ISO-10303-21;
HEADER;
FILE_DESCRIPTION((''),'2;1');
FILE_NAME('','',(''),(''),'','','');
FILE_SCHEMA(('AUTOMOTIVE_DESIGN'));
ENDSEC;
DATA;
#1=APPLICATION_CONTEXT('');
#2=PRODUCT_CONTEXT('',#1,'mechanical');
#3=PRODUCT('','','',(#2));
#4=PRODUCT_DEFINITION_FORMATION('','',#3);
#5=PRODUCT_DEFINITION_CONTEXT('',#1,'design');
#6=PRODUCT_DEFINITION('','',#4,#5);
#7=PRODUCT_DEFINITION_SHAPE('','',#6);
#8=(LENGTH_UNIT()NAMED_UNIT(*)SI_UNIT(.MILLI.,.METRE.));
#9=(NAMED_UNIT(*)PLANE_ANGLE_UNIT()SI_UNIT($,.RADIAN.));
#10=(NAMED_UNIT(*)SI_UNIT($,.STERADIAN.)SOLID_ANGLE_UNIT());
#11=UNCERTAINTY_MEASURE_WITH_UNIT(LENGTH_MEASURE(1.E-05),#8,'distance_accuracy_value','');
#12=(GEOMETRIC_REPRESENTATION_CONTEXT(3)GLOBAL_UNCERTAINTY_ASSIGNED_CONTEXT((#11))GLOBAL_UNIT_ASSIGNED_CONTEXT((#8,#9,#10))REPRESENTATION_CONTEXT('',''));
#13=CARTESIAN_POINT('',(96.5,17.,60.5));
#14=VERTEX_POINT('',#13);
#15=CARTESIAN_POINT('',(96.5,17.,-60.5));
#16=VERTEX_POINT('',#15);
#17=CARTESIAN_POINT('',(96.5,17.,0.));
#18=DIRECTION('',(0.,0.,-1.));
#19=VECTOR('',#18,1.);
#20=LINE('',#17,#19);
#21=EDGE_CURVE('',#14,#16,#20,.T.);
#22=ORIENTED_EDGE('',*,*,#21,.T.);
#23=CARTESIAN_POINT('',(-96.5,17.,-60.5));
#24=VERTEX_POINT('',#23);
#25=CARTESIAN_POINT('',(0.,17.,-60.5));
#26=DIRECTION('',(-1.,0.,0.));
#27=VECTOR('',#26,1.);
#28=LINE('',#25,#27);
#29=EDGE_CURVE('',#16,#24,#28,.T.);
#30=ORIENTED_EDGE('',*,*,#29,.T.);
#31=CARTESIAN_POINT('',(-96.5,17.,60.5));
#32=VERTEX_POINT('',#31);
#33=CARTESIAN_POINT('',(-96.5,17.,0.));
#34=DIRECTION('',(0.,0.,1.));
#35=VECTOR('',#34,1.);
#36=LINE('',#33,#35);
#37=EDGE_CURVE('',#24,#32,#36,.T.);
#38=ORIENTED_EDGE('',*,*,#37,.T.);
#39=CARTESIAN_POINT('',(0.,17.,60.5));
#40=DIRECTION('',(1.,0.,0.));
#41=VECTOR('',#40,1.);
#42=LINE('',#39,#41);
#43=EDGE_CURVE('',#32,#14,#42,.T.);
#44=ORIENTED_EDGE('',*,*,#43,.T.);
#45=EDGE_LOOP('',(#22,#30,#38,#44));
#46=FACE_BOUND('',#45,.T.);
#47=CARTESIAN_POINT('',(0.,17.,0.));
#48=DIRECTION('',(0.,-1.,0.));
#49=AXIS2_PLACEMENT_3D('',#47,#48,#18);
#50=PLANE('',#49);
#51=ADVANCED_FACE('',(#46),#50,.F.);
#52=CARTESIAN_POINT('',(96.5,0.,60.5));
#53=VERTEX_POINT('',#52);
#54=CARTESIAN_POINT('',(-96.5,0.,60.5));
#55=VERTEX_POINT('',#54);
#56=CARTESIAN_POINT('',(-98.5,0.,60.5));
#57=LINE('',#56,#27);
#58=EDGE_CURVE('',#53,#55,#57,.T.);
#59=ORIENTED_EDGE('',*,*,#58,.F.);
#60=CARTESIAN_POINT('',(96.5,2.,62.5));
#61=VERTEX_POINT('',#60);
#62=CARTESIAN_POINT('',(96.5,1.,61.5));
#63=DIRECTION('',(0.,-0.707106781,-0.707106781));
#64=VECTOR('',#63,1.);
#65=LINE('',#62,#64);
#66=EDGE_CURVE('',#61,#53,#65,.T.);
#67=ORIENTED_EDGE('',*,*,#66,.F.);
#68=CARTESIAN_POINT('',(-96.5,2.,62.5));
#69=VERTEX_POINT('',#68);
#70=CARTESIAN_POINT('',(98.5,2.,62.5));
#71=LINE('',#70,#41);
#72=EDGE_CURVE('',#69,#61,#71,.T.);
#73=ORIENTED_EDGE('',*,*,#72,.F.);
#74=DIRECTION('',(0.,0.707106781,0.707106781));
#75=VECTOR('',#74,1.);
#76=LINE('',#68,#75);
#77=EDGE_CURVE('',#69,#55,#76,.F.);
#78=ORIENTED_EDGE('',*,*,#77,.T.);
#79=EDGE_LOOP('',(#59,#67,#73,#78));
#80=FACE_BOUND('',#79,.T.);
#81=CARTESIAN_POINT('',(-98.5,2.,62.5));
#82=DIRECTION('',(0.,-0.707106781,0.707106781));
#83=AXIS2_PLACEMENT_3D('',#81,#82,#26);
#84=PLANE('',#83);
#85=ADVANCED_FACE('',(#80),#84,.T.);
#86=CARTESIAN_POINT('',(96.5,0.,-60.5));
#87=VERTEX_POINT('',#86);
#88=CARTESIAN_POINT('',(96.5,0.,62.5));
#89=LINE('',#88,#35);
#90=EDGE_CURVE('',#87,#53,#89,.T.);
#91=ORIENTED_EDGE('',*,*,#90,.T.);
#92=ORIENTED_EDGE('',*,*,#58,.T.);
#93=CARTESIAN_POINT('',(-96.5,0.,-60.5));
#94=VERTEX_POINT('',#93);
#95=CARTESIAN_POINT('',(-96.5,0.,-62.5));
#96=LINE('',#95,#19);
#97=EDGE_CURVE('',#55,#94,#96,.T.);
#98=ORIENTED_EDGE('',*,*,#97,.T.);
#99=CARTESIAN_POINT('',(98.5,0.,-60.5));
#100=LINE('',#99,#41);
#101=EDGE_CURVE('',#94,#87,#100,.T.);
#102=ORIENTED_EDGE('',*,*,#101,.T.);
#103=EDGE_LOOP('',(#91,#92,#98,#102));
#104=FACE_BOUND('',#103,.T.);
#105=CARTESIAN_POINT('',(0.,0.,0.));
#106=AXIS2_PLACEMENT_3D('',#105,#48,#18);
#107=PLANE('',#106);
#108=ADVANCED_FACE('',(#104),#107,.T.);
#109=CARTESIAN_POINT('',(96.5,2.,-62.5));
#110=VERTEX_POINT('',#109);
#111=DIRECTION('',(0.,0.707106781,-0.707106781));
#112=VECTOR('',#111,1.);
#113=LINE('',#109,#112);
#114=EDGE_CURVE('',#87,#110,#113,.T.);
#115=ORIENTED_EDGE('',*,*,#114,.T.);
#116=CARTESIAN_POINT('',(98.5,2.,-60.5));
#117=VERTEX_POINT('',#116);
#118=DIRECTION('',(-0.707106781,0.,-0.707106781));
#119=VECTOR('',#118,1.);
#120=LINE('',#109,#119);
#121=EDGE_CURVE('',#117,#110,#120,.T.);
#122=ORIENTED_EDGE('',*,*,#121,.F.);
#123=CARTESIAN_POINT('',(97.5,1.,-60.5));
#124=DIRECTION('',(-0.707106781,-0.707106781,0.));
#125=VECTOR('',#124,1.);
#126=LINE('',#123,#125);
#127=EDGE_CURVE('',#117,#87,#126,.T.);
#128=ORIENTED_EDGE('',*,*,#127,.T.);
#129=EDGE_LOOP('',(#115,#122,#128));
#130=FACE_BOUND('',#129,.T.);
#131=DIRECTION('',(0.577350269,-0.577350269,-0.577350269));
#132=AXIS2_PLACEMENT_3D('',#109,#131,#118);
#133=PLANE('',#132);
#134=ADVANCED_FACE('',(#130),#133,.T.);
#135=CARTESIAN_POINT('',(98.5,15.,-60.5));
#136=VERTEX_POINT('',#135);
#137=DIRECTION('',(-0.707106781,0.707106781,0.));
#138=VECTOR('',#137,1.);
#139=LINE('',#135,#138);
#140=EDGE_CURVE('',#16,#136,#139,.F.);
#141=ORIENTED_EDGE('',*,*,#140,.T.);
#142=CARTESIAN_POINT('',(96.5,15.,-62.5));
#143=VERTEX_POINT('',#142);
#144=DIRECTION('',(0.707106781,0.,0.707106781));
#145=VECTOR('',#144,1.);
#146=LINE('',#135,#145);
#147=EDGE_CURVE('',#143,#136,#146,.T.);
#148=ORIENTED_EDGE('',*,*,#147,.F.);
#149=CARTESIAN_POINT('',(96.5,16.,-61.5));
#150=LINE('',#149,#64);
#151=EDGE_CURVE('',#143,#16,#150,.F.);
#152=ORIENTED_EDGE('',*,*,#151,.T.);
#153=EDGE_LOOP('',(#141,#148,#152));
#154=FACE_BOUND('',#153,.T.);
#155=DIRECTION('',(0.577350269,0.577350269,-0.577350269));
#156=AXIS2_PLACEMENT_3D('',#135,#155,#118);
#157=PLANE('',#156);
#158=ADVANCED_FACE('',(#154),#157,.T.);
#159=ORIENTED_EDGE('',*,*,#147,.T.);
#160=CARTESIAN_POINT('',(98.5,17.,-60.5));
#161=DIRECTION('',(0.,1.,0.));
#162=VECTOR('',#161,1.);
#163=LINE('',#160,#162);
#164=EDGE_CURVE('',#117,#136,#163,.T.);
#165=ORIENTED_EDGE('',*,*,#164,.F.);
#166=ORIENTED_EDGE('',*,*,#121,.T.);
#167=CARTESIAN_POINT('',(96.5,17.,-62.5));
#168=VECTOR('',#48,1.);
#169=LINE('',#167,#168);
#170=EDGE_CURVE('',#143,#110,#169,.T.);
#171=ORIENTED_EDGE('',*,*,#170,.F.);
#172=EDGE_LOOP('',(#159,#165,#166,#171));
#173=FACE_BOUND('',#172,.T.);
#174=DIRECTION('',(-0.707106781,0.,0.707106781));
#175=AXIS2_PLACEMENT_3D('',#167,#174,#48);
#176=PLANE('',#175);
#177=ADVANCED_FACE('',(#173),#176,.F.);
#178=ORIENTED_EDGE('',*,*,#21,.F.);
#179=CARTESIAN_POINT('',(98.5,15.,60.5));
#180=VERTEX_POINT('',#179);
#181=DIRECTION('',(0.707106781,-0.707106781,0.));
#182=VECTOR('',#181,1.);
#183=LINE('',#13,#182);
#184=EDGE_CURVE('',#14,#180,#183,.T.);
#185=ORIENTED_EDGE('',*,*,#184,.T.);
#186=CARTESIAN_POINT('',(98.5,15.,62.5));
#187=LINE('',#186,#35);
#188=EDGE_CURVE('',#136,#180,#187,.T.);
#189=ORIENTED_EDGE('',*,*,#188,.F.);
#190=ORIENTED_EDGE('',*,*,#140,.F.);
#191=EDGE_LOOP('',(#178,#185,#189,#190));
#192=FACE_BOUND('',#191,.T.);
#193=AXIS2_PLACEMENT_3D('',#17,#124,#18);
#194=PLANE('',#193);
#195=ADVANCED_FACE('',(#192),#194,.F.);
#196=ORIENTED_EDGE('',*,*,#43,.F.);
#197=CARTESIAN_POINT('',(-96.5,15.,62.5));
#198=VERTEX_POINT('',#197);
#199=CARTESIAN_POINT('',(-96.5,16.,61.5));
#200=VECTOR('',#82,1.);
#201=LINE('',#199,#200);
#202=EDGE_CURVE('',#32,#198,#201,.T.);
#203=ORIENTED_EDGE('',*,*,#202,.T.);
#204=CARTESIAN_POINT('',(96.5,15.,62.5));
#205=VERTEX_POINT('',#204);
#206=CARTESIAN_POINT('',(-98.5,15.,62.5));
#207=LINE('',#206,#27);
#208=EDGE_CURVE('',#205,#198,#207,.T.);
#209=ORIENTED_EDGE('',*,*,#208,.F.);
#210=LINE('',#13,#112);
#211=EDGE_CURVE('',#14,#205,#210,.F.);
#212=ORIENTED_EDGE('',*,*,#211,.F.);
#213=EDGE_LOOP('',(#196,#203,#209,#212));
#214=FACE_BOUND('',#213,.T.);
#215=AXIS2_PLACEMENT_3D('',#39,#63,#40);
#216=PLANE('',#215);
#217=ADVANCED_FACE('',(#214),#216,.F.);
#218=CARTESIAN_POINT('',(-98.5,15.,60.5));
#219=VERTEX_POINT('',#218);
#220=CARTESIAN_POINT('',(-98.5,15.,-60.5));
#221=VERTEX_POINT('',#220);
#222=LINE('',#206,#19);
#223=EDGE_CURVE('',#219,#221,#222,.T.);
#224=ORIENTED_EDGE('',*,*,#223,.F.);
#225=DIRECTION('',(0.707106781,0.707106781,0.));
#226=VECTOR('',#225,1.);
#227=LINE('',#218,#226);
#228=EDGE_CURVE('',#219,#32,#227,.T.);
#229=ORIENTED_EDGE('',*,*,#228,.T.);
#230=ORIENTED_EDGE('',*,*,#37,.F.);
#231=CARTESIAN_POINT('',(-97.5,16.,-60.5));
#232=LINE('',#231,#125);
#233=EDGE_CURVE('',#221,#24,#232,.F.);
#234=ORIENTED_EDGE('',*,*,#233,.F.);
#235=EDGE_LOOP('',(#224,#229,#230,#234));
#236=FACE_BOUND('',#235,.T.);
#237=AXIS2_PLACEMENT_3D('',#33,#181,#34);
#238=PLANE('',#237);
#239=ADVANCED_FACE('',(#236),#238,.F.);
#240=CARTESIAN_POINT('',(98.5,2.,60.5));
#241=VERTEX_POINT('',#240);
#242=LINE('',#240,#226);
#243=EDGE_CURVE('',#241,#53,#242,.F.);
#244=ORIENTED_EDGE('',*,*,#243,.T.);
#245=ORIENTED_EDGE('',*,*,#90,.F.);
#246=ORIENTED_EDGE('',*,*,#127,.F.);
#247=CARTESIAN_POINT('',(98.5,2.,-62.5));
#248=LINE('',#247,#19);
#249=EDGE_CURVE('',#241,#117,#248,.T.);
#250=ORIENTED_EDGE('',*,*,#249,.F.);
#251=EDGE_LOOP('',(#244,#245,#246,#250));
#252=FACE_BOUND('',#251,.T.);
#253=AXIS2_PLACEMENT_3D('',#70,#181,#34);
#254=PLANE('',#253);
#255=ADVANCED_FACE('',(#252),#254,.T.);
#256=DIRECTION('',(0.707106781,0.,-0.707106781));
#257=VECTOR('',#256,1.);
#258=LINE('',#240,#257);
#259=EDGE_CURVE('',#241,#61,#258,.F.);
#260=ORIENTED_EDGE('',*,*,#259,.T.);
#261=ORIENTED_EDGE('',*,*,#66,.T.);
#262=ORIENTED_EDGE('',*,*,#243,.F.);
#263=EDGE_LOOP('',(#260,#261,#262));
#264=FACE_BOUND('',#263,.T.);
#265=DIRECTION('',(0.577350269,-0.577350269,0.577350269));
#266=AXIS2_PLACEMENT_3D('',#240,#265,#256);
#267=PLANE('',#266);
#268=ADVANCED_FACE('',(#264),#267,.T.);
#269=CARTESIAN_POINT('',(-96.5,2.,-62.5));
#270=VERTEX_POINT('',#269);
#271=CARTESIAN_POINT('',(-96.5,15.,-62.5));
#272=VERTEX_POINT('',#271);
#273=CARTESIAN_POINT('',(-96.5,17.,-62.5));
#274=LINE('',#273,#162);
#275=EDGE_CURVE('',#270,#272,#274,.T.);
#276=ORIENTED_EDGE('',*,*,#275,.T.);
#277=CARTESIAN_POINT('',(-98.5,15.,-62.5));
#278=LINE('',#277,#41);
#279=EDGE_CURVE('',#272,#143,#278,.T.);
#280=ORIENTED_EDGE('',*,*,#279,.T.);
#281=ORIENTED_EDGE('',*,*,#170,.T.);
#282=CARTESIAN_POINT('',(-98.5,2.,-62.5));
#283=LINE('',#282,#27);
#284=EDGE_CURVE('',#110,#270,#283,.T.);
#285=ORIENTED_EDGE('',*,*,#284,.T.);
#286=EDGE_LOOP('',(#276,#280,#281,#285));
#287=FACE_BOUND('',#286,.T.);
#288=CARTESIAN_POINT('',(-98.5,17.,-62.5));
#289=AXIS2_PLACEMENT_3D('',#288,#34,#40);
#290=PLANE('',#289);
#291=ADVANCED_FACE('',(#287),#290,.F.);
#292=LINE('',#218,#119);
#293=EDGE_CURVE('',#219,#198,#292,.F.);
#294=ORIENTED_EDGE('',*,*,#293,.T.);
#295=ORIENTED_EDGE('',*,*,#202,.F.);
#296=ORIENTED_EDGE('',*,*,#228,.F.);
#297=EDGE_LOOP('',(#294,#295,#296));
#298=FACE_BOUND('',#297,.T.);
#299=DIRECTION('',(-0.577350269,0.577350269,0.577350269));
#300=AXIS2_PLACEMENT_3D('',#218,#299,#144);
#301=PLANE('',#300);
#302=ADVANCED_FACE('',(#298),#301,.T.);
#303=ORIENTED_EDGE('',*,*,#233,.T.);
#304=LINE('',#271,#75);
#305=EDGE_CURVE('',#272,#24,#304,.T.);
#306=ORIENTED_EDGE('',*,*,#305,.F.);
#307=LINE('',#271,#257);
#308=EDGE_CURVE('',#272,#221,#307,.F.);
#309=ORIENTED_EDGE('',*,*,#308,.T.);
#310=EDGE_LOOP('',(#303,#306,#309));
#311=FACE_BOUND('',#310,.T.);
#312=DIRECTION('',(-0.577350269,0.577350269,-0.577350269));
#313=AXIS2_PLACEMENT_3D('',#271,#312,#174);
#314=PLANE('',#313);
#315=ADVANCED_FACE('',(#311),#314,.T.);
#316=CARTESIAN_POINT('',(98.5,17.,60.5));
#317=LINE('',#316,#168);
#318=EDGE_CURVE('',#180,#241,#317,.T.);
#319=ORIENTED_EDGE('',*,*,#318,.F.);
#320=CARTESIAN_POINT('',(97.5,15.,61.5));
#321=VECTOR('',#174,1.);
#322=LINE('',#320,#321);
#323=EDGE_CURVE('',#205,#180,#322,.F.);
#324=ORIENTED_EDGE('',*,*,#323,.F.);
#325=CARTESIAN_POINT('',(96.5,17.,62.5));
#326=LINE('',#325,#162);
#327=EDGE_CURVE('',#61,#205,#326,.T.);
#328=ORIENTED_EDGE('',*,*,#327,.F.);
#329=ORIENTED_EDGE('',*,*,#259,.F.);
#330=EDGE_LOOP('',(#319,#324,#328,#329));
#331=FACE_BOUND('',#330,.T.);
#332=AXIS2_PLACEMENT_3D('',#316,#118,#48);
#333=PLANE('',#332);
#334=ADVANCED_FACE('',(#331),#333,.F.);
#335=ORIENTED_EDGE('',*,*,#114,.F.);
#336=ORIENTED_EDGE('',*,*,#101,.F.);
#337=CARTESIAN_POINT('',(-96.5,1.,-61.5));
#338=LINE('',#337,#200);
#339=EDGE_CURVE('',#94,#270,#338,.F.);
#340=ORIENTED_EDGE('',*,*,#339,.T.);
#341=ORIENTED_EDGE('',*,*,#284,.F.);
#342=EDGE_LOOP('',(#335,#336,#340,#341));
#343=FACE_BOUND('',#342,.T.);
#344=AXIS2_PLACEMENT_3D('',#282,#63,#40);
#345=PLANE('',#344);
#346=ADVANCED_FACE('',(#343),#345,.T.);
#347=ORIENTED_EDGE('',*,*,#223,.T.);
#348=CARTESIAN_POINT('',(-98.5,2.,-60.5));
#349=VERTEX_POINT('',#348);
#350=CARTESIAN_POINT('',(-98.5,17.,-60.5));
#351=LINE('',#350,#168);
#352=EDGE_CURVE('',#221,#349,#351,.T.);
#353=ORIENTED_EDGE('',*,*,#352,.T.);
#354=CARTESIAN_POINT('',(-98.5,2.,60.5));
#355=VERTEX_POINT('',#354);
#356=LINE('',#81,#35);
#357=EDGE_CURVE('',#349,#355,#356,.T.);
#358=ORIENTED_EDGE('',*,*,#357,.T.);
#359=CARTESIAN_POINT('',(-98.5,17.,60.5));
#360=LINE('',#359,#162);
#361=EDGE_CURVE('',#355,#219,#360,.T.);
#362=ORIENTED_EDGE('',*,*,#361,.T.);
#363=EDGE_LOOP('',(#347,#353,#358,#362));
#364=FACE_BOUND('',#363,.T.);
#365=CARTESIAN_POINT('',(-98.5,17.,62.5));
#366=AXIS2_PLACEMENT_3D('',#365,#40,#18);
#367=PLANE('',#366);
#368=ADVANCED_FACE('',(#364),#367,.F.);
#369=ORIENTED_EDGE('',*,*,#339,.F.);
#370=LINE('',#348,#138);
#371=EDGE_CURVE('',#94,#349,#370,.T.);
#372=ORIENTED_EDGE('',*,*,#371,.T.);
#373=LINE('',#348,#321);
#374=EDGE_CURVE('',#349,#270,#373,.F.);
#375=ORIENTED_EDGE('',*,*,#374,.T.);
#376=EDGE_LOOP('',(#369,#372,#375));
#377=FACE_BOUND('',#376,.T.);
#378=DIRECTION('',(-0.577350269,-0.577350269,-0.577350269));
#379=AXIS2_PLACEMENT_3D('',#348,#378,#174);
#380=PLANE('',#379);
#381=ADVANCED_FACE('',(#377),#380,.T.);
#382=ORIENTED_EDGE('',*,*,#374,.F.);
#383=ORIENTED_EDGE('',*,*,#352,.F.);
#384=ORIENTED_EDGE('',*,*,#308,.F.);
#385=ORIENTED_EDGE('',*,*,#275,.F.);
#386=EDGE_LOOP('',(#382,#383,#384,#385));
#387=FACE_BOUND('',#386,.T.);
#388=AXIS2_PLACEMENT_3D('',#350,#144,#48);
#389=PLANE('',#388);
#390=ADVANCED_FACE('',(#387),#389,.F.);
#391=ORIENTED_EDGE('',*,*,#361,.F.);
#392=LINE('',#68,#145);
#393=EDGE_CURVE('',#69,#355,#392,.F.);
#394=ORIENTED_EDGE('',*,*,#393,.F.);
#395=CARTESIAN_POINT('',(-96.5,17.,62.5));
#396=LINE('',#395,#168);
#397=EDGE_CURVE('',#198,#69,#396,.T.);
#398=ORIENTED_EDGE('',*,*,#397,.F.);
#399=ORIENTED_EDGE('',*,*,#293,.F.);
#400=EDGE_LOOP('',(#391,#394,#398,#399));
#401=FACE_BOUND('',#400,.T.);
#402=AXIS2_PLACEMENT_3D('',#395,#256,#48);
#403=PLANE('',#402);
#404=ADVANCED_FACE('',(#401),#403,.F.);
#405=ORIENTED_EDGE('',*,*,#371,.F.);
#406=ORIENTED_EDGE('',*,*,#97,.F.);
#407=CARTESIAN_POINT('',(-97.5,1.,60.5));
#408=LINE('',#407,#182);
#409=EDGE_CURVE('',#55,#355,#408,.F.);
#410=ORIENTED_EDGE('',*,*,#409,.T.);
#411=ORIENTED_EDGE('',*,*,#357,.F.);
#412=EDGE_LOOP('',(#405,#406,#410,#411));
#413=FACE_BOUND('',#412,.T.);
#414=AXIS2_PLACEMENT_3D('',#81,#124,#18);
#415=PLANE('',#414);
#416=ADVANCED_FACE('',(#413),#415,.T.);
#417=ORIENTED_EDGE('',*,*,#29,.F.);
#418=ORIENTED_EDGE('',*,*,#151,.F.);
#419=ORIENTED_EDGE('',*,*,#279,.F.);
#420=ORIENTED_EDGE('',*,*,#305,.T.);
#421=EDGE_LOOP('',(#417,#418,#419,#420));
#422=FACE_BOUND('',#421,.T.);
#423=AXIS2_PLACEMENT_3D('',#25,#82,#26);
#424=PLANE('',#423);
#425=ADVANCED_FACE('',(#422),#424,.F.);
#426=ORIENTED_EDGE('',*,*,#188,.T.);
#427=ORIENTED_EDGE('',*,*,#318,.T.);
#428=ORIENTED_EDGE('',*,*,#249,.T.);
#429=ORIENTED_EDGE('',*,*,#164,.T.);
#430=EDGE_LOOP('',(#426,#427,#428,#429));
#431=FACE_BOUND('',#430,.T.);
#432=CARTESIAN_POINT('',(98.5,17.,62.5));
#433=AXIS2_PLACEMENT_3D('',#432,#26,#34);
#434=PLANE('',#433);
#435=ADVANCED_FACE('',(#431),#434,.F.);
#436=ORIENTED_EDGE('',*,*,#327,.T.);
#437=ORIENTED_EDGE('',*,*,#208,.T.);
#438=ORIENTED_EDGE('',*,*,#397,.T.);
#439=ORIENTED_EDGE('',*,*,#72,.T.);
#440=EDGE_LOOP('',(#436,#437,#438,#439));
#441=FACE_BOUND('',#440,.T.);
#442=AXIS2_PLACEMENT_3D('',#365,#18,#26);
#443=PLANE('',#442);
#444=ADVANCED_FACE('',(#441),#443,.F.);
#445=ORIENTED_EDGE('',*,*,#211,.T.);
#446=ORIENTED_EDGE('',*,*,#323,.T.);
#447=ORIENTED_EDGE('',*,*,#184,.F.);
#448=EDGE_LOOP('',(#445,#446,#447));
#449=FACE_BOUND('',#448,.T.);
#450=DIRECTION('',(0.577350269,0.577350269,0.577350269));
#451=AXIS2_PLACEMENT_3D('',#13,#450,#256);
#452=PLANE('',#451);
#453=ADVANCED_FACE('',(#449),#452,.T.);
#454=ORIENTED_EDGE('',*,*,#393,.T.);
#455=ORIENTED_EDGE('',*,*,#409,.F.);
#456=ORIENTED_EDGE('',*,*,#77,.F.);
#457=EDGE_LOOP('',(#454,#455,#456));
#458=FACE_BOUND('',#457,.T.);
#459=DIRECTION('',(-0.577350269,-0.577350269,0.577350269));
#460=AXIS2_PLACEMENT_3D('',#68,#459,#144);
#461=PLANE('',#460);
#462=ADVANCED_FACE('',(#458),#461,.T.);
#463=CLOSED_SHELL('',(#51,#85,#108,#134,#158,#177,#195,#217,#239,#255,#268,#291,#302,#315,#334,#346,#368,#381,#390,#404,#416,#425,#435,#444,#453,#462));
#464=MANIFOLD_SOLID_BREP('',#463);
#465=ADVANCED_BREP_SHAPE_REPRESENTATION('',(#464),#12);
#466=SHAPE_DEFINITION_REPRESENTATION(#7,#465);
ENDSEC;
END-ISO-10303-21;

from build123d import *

# Parameters (mm, degrees)
SCHIZZO1_W                   = 197
SCHIZZO1_H                   = 125
ESTRUSIONE_ESTRUSIONE1_DEPTH = 17
SMUSSO1_SIZE                 = 2


with BuildPart() as part:
    # Schizzo1 → Estrusione-Estrusione1 (new body)
    with BuildSketch(Plane(origin=(0, 0, 0), x_dir=(1, 0, 0), z_dir=(0, 1, 0))):
        Rectangle(SCHIZZO1_W, SCHIZZO1_H)
    extrude(amount=ESTRUSIONE_ESTRUSIONE1_DEPTH)

    # Smusso1
    smusso1_edges = [part.edges().sort_by_distance(p)[0] for p in [
        (-98.5, 17, 0),
        (0, 17, 62.5),
        (98.5, 17, 0),
        (0, 0, 62.5),
        (-98.5, 0, 0),
        (0, 0, -62.5),
        (98.5, 0, 0),
        (98.5, 8.5, 62.5),
        (-98.5, 8.5, 62.5),
        (-98.5, 8.5, -62.5),
        (98.5, 8.5, -62.5),
        (0, 17, -62.5),
    ]]
    chamfer(smusso1_edges, length=SMUSSO1_SIZE)


solid = part.part
